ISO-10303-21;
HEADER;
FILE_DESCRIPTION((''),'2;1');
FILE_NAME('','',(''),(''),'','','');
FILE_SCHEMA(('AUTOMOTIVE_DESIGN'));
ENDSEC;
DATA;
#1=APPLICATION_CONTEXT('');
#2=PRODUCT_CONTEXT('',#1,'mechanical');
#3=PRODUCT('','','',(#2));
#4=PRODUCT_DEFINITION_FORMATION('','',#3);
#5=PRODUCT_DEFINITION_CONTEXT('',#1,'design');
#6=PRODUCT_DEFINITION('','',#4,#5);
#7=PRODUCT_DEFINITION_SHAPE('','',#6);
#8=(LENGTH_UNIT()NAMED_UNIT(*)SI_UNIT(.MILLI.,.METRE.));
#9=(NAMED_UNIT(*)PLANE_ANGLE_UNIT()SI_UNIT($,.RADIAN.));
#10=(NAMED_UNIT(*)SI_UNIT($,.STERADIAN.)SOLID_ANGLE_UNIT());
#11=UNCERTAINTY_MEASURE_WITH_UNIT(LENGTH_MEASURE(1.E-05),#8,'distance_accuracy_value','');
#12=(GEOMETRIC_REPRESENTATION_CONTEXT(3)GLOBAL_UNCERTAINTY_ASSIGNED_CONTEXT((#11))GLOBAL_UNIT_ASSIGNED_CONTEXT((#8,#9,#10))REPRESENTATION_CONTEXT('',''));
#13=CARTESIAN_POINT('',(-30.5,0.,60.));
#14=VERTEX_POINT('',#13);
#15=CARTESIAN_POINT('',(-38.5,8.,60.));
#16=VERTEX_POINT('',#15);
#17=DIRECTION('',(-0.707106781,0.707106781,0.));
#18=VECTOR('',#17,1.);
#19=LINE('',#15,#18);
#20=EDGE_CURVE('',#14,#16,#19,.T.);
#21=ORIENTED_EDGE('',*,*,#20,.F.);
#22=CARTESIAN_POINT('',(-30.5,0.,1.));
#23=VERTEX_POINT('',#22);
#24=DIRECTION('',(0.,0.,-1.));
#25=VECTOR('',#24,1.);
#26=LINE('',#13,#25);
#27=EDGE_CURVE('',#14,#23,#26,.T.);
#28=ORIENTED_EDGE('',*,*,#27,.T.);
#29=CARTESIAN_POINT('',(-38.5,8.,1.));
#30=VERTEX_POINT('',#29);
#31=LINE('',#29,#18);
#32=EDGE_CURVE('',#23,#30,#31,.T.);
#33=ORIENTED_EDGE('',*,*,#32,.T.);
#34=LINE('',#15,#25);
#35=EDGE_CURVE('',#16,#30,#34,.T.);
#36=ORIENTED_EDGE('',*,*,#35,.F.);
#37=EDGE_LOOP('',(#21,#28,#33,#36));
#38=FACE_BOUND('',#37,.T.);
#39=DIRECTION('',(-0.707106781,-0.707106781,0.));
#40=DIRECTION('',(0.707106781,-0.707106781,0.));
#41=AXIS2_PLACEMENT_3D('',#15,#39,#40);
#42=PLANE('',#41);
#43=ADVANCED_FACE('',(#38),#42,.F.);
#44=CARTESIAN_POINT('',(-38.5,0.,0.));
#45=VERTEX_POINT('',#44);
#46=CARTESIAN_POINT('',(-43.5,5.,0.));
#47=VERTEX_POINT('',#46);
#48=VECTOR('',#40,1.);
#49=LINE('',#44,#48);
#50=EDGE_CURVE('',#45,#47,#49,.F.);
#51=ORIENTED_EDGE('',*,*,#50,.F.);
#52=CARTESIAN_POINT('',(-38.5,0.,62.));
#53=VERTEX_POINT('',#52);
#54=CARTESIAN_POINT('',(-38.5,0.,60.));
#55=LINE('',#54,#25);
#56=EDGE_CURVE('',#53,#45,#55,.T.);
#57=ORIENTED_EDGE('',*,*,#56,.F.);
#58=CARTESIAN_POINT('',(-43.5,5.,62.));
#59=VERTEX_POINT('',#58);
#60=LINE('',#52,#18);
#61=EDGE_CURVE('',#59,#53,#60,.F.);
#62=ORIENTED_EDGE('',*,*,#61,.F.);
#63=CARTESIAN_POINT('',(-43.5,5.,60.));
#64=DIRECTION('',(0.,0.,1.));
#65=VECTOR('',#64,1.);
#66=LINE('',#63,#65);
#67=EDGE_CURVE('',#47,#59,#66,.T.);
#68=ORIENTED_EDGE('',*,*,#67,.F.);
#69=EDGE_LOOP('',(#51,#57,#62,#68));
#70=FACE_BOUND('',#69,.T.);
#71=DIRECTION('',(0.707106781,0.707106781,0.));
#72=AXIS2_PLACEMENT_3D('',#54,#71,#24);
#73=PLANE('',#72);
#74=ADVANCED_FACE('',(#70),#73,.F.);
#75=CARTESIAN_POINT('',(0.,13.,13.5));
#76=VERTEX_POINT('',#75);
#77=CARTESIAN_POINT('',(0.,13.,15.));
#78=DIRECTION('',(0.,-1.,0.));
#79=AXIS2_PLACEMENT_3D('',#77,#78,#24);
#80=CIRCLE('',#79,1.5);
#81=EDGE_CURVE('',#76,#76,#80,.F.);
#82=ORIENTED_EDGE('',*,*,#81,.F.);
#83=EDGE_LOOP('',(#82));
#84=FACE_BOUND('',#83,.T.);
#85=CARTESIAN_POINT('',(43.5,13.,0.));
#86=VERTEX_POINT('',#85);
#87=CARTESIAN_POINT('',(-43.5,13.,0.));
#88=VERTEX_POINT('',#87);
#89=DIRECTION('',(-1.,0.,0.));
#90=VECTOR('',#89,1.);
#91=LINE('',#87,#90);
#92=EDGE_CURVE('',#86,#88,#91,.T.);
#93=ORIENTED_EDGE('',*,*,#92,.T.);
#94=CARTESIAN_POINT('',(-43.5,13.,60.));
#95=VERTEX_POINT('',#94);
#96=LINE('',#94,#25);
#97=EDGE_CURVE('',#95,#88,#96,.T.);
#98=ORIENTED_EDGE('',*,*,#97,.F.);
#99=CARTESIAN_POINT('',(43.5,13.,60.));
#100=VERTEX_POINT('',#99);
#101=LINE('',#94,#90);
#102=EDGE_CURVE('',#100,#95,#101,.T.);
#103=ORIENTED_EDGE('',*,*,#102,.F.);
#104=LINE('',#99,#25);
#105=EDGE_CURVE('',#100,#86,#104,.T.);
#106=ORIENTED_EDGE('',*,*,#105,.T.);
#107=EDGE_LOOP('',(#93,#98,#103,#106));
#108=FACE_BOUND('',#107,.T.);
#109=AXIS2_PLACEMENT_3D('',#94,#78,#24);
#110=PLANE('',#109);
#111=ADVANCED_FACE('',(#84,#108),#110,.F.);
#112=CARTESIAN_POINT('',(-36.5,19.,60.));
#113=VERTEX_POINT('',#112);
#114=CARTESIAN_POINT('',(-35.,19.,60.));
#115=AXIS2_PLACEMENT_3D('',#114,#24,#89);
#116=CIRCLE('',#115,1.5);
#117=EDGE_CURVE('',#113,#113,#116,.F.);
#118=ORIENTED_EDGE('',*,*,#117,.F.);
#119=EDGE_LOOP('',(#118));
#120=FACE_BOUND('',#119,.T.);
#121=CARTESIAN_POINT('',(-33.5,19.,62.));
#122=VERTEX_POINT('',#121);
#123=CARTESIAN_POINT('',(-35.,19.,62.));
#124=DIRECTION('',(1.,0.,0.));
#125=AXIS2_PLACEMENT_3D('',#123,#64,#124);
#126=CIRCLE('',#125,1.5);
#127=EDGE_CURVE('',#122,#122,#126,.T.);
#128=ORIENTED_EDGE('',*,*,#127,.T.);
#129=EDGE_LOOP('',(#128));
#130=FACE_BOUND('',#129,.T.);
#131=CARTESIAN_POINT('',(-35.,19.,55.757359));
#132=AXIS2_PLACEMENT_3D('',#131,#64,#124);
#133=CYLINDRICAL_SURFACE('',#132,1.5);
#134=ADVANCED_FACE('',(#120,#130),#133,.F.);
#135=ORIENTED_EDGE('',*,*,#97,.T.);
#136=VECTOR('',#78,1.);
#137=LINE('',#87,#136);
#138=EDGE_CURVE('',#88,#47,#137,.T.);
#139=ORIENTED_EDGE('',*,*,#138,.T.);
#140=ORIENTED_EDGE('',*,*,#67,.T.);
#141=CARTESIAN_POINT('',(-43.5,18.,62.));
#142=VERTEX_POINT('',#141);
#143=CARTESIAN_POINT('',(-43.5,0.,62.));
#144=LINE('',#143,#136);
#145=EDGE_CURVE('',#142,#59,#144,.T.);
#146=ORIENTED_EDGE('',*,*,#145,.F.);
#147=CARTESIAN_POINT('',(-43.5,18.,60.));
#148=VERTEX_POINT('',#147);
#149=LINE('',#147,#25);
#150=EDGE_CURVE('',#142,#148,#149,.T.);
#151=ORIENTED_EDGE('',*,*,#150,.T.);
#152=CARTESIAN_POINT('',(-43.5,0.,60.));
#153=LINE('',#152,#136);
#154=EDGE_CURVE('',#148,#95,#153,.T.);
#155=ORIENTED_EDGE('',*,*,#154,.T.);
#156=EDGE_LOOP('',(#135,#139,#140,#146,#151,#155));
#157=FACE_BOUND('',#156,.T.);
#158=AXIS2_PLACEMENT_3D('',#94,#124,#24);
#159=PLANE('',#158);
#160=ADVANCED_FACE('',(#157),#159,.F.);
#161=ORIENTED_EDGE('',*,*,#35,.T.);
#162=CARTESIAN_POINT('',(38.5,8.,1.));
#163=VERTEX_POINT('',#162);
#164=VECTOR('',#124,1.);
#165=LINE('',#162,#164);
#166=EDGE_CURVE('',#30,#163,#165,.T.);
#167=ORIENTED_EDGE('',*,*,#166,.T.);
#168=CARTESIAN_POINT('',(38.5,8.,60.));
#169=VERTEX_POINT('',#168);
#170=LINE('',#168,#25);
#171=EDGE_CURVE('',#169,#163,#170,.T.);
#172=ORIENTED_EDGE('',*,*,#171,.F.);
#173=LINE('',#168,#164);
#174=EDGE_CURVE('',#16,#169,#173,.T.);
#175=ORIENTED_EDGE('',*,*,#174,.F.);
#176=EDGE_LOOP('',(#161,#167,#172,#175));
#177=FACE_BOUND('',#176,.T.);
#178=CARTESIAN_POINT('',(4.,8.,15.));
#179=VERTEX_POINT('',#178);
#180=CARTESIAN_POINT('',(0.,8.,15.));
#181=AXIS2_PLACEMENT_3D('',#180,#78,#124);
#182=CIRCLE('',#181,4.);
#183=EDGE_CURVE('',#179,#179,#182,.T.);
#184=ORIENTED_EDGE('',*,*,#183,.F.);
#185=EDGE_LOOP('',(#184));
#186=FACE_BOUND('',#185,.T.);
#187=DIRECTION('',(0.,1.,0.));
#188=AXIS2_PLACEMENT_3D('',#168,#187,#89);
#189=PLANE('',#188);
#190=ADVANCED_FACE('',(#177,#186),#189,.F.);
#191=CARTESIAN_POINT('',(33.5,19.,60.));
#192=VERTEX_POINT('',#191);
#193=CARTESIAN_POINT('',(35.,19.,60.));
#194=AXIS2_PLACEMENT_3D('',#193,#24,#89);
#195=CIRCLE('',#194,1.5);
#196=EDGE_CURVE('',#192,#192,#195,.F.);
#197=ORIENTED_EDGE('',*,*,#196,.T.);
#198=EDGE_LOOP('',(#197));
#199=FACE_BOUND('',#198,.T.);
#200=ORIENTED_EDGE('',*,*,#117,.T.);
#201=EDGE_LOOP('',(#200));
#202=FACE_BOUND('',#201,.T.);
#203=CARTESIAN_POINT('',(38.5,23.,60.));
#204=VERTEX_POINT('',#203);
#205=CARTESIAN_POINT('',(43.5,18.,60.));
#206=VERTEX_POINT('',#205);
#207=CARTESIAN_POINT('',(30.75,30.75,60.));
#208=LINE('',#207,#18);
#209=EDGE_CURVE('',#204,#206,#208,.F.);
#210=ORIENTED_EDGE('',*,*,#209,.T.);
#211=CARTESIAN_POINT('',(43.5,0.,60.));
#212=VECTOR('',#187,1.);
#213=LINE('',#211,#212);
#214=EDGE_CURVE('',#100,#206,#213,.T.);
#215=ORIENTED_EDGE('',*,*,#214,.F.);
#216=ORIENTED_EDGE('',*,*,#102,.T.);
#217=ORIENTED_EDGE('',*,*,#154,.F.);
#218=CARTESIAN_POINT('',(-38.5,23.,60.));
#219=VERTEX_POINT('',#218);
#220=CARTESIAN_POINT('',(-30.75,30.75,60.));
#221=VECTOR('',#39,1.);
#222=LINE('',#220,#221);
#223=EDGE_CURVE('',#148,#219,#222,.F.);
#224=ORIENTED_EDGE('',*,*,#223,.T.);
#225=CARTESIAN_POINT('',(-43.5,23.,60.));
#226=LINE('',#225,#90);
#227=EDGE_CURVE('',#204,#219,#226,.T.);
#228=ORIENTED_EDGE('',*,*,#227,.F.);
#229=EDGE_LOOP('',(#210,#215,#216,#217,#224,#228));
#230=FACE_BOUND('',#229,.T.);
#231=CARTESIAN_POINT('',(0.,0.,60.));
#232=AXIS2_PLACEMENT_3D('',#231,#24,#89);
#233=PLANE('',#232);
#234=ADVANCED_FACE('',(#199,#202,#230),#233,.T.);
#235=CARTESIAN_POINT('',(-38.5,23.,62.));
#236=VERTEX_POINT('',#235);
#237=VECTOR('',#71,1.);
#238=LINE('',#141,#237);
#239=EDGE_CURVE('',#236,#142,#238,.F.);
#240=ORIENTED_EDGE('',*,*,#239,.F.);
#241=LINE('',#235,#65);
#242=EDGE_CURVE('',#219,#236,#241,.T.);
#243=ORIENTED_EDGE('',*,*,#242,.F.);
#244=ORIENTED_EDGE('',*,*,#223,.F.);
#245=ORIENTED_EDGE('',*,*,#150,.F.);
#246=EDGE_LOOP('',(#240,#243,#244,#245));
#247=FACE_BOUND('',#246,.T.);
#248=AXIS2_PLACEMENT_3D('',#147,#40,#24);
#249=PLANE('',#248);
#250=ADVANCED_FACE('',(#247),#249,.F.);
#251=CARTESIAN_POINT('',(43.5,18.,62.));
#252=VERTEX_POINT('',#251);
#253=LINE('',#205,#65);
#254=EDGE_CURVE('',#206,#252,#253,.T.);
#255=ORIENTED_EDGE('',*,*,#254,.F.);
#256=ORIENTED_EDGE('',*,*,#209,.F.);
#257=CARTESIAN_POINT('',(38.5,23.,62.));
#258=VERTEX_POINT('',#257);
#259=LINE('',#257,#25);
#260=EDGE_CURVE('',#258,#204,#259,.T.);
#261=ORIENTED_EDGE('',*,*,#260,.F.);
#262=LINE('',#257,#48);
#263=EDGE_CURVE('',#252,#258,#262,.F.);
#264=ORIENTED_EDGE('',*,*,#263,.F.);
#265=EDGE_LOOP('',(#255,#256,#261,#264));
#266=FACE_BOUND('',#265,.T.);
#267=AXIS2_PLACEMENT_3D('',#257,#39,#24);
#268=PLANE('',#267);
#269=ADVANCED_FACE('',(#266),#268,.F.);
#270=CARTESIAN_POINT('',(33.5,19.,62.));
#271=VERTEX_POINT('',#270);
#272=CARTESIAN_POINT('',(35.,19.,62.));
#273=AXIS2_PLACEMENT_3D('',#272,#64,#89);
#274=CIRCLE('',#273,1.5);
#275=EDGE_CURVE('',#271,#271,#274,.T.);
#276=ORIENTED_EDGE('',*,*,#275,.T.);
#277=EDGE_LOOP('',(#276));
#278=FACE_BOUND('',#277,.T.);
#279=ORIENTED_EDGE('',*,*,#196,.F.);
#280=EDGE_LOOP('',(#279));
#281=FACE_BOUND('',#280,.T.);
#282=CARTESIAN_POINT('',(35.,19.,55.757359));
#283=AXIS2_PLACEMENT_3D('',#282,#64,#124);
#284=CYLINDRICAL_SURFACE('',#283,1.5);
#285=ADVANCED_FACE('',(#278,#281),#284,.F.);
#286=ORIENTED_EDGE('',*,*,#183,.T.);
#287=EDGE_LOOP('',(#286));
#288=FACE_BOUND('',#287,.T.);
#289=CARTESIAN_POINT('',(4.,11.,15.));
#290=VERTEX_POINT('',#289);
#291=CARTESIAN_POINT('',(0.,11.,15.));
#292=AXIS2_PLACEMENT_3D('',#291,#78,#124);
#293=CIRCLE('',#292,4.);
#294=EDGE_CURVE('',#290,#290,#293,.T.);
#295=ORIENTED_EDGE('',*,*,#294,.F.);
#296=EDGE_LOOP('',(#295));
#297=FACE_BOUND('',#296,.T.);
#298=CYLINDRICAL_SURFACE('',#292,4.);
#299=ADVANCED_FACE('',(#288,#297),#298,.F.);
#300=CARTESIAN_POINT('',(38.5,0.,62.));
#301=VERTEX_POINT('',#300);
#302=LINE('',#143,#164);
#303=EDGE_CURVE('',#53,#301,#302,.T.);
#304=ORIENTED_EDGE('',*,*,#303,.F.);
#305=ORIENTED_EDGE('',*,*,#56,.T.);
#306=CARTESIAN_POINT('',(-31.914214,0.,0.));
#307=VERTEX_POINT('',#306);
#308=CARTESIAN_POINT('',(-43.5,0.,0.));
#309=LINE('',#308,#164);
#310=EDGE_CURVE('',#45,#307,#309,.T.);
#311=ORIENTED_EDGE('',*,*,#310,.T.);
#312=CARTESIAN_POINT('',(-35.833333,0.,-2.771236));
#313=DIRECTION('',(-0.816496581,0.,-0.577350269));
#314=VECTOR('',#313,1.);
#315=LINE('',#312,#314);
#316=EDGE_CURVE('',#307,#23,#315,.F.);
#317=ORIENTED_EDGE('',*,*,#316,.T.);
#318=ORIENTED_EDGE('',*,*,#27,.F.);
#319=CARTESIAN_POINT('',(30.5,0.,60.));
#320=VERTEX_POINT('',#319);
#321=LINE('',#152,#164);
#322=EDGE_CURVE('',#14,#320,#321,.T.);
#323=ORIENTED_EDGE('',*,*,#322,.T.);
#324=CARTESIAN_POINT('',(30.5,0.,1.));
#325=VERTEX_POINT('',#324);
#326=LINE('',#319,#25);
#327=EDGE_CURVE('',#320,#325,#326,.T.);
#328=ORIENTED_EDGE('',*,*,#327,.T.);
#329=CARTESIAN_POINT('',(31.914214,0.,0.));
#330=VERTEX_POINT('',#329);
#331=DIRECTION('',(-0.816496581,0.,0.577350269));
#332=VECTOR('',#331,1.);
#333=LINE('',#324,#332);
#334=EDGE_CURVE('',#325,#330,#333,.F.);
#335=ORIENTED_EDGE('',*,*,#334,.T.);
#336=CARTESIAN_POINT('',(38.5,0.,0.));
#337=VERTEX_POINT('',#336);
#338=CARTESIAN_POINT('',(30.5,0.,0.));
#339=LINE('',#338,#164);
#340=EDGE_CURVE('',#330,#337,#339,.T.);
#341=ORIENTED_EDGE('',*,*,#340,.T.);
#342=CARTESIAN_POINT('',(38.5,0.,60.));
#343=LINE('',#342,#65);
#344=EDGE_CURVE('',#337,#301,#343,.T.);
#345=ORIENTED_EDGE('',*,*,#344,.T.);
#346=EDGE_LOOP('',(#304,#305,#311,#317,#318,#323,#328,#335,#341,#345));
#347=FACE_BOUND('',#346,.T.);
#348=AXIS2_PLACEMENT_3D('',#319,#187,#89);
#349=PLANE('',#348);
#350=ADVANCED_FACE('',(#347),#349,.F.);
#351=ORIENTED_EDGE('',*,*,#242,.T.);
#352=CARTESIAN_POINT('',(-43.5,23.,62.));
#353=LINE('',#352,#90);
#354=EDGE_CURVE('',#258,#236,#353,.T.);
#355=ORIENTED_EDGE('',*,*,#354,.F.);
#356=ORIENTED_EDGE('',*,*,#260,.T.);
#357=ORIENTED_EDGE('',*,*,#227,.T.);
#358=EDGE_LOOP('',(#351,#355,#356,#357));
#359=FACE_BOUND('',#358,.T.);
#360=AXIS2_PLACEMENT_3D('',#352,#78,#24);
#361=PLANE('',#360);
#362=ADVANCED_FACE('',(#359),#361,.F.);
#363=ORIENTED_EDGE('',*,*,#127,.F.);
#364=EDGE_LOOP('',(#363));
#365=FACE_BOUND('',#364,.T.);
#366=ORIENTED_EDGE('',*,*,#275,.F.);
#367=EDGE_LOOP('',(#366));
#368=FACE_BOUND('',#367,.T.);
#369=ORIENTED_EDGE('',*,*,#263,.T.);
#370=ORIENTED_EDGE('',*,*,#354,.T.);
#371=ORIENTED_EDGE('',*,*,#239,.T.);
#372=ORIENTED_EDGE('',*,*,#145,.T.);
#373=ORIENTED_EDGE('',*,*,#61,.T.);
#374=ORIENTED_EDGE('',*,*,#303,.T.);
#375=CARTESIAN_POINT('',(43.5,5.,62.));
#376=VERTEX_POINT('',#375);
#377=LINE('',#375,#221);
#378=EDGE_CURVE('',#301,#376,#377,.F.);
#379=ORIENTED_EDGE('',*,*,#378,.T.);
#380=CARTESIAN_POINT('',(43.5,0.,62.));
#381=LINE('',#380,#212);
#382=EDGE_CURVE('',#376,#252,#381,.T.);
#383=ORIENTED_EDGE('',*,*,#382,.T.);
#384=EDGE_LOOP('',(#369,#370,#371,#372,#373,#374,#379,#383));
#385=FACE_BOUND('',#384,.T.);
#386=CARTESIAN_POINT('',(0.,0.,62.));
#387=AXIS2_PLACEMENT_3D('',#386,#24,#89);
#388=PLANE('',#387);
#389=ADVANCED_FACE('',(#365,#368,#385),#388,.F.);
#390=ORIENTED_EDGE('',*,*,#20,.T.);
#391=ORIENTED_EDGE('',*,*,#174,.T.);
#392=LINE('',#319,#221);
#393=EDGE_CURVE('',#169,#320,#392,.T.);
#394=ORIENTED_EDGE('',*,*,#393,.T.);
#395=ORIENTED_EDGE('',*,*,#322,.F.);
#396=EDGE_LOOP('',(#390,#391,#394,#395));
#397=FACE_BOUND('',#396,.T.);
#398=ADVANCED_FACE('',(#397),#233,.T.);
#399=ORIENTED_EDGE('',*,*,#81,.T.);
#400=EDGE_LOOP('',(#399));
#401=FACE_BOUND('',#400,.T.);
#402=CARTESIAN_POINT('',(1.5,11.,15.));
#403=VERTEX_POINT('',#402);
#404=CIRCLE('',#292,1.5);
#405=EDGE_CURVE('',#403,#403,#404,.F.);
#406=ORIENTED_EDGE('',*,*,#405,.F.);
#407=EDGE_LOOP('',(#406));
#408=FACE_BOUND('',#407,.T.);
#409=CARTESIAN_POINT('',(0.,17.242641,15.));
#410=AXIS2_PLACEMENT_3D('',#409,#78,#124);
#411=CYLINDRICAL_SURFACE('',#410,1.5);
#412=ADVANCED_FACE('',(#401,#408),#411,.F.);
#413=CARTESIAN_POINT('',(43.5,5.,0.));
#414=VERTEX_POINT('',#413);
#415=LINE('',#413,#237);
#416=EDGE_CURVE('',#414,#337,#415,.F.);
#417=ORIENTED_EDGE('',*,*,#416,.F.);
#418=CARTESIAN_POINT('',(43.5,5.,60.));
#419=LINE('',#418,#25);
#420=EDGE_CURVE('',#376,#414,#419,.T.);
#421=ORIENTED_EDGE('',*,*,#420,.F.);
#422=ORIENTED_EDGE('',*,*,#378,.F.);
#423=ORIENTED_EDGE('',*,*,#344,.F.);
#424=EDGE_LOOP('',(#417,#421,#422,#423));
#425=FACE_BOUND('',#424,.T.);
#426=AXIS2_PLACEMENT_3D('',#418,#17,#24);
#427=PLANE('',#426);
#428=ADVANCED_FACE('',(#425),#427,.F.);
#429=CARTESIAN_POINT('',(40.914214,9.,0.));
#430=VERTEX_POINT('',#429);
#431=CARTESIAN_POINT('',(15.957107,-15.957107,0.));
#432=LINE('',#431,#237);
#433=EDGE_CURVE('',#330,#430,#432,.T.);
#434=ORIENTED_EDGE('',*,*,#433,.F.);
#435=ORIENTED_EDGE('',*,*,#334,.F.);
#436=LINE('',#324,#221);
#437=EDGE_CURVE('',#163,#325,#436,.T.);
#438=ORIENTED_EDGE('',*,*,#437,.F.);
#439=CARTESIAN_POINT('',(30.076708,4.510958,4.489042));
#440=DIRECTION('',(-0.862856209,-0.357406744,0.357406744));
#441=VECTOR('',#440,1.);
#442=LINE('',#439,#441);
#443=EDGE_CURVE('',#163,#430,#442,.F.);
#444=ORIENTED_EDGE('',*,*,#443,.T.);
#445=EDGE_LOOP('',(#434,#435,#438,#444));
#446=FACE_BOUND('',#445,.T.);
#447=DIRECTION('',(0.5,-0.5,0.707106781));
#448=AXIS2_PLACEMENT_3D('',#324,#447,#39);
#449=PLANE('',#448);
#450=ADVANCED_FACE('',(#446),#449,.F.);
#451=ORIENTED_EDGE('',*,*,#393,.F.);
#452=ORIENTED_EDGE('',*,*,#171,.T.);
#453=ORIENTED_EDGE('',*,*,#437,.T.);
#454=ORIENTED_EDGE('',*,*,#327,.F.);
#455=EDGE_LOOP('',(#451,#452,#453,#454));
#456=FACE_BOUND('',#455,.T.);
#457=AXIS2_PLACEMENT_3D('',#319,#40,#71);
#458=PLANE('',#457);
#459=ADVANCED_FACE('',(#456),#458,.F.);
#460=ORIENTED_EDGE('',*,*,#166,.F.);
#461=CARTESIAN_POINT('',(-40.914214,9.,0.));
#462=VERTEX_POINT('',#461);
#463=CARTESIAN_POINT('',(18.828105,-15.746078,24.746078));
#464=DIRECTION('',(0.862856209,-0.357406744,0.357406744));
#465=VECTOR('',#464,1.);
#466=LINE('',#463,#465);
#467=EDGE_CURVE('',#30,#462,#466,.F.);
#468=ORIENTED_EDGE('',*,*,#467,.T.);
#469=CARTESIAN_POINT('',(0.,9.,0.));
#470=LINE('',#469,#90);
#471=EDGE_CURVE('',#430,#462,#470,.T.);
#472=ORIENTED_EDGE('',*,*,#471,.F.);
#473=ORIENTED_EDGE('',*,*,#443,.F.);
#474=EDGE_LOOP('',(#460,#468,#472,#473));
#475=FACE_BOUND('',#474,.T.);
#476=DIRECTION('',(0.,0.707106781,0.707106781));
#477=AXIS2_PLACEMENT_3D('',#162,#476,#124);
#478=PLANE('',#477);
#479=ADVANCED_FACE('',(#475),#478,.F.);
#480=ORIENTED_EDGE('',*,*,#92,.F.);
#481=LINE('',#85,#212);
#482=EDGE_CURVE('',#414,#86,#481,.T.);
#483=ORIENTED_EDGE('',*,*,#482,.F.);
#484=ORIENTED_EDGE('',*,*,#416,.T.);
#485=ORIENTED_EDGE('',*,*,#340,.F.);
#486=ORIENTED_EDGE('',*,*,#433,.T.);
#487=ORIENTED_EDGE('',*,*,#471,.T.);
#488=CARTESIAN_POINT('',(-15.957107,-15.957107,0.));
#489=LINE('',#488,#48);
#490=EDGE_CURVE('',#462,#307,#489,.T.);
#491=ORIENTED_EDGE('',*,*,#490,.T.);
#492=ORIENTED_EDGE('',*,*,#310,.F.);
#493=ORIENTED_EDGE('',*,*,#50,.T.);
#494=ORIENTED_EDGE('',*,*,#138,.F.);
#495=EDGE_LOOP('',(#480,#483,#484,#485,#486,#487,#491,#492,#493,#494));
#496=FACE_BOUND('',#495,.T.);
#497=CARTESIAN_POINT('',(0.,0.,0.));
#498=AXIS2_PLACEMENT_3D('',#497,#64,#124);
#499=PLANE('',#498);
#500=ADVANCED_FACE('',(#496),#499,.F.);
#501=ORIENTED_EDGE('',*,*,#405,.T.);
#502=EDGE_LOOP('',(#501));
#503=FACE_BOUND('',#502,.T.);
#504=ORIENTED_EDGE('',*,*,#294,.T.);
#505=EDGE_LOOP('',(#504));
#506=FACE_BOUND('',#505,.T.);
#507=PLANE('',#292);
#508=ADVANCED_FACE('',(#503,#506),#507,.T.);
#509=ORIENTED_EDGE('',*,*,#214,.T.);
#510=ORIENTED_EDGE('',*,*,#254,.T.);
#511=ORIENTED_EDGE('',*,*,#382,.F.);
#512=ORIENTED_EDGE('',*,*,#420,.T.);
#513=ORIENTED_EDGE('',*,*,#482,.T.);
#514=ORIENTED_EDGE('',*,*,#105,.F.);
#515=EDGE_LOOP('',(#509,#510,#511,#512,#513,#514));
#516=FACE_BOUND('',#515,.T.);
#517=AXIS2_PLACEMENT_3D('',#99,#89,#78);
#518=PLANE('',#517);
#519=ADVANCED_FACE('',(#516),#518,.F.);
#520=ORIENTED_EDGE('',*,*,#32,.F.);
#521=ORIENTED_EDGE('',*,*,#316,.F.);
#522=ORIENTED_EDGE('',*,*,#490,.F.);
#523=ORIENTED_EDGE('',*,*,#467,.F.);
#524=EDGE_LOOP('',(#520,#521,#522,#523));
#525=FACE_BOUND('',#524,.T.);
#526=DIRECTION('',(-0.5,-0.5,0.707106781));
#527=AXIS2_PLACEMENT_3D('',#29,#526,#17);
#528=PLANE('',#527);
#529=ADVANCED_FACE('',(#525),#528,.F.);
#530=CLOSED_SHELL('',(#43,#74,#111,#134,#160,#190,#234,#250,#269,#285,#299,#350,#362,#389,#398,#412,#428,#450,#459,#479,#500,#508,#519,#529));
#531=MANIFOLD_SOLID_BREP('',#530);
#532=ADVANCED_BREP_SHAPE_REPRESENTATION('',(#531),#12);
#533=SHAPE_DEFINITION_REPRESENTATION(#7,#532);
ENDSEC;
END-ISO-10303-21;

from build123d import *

# Parameters (mm, degrees)
EXTRUDE_1_DEPTH     = 60
SKETCH_2_W          = 87
SKETCH_2_H          = 23
EXTRUDE_2_DEPTH     = 2
SKETCH_3_R          = 1.5
CUT_EXTRUDE_1_DEPTH = 2
SKETCH_4_R          = 1.5
CUT_EXTRUDE_2_DEPTH = 5
SKETCH_5_R          = 4
CUT_EXTRUDE_3_DEPTH = 3
CHAMFER_1_SIZE      = 1
CHAMFER_2_SIZE      = 5


with BuildPart() as part:
    # Эскиз1 → Бобышка-Вытянуть1 (new body)
    with BuildSketch(Plane.XY):
        Polygon((30.5, 0), (38.5, 8), (-38.5, 8), (-30.5, 0), (-43.5, 0), (-43.5, 13), (43.5, 13), (43.5, 0), align=None)
    extrude(amount=EXTRUDE_1_DEPTH)

    # Эскиз2 → Бобышка-Вытянуть2 (add)
    with BuildSketch(Plane.XY.offset(60)):
        with Locations((0, 11.5)):
            Rectangle(SKETCH_2_W, SKETCH_2_H)
    extrude(amount=EXTRUDE_2_DEPTH)

    # Эскиз3 → Вырез-Вытянуть1 (cut)
    with BuildSketch(Plane.XY.offset(62)):
        with Locations((-35, 19)):
            Circle(SKETCH_3_R)
        with Locations(Location((35, 19, 0), (0, 0, 180))):
            Circle(SKETCH_3_R)
    extrude(amount=-CUT_EXTRUDE_1_DEPTH, mode=Mode.SUBTRACT)

    # Эскиз4 → Вырез-Вытянуть2 (cut)
    with BuildSketch(Plane.XZ.offset(-8)):
        with Locations((0, 15)):
            Circle(SKETCH_4_R)
    extrude(amount=-CUT_EXTRUDE_2_DEPTH, mode=Mode.SUBTRACT)

    # Эскиз5 → Вырез-Вытянуть3 (cut)
    with BuildSketch(Plane.XZ.offset(-8)):
        with Locations((0, 15)):
            Circle(SKETCH_5_R)
    extrude(amount=-CUT_EXTRUDE_3_DEPTH, mode=Mode.SUBTRACT)

    # Фаска1
    chamfer_1_edges = [part.edges().sort_by_distance(p)[0] for p in [
        (0, 8, 0),
        (-34.5, 4, 0),
        (34.5, 4, 0),
    ]]
    chamfer(chamfer_1_edges, length=CHAMFER_1_SIZE)

    # Фаска2
    chamfer_2_edges = [part.edges().sort_by_distance(p)[0] for p in [
        (43.5, 0, 31),
        (-43.5, 0, 31),
        (-43.5, 23, 61),
        (43.5, 23, 61),
    ]]
    chamfer(chamfer_2_edges, length=CHAMFER_2_SIZE)


solid = part.part
